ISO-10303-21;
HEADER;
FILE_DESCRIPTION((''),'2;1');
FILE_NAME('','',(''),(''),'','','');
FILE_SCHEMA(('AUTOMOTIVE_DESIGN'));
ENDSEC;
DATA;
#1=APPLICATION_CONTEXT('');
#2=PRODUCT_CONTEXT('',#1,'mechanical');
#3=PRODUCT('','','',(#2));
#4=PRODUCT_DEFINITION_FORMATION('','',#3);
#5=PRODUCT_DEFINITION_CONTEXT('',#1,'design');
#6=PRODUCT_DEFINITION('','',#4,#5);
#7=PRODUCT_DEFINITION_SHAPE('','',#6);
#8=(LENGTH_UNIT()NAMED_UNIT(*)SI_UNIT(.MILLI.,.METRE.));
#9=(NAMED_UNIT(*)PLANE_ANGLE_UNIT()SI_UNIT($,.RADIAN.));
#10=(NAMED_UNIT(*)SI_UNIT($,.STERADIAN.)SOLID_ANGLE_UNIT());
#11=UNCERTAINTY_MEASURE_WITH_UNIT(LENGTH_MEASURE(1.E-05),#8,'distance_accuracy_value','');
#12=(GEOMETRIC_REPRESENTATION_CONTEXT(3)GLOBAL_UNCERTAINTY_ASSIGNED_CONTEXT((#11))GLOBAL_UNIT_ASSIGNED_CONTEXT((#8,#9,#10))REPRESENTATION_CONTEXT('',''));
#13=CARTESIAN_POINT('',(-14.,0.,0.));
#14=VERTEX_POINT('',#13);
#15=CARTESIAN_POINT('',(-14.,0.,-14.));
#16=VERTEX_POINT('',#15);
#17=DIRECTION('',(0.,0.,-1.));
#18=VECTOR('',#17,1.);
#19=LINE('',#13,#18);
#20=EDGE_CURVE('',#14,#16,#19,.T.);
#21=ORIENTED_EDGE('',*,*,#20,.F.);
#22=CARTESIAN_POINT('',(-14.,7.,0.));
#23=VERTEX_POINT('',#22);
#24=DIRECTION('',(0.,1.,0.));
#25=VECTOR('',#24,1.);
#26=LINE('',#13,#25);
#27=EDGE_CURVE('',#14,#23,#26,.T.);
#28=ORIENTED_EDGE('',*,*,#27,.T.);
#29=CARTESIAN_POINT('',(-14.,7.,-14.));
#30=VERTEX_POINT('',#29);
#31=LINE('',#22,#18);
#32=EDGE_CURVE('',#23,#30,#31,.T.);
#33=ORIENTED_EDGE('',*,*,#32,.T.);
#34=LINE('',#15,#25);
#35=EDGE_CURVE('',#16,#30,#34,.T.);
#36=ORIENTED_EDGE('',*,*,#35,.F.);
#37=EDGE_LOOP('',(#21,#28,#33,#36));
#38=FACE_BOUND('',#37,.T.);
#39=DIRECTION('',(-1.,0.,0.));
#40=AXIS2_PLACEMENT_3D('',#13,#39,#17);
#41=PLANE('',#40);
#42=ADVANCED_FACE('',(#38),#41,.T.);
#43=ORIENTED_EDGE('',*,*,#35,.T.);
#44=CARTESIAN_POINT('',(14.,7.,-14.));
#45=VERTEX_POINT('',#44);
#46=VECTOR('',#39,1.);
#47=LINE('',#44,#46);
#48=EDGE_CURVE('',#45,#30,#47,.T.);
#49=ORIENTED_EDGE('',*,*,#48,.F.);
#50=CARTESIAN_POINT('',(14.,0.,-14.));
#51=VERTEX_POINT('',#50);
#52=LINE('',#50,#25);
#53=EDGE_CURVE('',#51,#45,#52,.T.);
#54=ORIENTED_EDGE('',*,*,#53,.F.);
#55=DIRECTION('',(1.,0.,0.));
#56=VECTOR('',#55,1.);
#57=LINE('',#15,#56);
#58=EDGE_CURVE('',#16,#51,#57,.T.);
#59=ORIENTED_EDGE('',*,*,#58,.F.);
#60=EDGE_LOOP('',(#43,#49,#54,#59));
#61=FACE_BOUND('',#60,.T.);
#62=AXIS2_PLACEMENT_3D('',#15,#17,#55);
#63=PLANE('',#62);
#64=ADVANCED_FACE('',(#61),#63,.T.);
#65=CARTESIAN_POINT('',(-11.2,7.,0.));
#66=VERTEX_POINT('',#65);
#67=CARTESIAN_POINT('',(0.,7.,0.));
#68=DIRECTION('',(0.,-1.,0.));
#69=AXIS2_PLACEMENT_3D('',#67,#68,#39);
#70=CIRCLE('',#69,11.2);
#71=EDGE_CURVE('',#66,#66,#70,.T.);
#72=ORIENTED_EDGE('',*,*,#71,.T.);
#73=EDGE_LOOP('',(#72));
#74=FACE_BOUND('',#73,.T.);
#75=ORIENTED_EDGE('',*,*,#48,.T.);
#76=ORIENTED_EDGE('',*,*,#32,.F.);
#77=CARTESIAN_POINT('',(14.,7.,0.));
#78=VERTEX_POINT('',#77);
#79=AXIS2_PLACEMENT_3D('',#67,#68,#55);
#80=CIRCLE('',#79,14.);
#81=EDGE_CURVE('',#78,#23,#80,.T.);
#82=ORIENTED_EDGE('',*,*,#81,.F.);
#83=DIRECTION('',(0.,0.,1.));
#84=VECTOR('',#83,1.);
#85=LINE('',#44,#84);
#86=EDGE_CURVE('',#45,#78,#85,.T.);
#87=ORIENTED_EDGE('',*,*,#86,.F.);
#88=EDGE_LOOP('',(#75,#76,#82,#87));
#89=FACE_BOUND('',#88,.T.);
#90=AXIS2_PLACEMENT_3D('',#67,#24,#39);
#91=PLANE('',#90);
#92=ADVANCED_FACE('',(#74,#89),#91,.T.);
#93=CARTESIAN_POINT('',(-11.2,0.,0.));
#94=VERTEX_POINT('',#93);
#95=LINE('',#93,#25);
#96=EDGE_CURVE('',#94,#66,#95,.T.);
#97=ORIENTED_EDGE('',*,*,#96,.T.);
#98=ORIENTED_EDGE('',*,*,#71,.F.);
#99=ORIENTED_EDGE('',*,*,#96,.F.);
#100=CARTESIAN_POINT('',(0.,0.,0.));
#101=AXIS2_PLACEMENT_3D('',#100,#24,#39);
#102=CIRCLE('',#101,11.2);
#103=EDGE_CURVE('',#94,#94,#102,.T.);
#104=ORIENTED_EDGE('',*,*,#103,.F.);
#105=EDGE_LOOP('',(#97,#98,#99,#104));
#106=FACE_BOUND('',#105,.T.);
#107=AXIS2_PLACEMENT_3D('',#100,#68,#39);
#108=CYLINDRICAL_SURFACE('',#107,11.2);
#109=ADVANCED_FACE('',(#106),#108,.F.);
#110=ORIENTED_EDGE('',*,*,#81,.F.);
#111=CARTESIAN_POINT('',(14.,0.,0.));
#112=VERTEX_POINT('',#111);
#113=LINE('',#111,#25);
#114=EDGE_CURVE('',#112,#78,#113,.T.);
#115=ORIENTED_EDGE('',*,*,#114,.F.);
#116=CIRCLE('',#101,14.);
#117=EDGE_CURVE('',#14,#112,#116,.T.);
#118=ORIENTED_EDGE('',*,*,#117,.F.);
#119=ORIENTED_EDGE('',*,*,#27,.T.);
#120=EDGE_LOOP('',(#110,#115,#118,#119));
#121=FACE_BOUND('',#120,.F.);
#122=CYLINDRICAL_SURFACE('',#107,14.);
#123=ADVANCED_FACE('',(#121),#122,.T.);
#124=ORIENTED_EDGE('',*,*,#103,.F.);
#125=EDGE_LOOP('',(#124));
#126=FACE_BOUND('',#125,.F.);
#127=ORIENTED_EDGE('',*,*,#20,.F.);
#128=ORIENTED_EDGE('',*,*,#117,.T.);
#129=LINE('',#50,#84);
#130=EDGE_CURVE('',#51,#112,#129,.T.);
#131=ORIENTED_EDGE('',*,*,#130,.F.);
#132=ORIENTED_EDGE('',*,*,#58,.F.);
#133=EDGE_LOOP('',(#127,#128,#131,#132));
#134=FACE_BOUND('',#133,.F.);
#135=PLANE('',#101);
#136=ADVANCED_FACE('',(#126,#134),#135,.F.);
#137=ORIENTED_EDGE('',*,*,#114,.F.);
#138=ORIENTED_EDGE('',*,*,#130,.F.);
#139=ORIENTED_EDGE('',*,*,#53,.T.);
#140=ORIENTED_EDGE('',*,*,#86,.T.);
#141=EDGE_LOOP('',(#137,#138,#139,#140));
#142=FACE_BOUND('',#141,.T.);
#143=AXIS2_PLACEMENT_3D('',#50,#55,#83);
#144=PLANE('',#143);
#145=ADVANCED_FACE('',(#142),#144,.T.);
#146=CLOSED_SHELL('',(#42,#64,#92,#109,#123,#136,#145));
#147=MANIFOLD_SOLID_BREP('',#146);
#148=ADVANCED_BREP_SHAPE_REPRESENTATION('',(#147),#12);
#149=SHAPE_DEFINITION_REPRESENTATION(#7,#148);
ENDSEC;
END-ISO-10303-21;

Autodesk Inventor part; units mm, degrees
ref_plane "YZ Plane" through (0, 0, 0) normal (1, 0, 0) x (0, 1, 0)
ref_plane "XZ Plane" through (0, 0, 0) normal (0, 1, 0) x (-1, 0, 0)
ref_plane "XY Plane" through (0, 0, 0) normal (0, 0, 1) x (1, 0, 0)
sketch "Sketch1" plane through (0, 0, 0) normal (0, 1, 0) x (-1, 0, 0)
  circle A0 centre (0, 0) radius 4
  circle A1 centre (0, 0) radius 11.2
  circle A2 centre (0, 0) radius 14
  line L0 (14, 0) -> (14, -14)
  line L1 (14, -14) -> (-14, -14)
  line L2 (-14, -14) -> (-14, 0)
  line L3 (0, -19.6) -> (0, 19.6) projected
  dimension "d0" = 8
  dimension "d1" = 22.4
  dimension "d2" = 28
  dimension "d3" = 14
extrude "Extrusion1" add sketch "Sketch1" along normal blind 7 contours L3 A2 A1 | A1 L3 A2 | L1 L2 A2 | A2 L0 L1
properties part number "borde al borde"
